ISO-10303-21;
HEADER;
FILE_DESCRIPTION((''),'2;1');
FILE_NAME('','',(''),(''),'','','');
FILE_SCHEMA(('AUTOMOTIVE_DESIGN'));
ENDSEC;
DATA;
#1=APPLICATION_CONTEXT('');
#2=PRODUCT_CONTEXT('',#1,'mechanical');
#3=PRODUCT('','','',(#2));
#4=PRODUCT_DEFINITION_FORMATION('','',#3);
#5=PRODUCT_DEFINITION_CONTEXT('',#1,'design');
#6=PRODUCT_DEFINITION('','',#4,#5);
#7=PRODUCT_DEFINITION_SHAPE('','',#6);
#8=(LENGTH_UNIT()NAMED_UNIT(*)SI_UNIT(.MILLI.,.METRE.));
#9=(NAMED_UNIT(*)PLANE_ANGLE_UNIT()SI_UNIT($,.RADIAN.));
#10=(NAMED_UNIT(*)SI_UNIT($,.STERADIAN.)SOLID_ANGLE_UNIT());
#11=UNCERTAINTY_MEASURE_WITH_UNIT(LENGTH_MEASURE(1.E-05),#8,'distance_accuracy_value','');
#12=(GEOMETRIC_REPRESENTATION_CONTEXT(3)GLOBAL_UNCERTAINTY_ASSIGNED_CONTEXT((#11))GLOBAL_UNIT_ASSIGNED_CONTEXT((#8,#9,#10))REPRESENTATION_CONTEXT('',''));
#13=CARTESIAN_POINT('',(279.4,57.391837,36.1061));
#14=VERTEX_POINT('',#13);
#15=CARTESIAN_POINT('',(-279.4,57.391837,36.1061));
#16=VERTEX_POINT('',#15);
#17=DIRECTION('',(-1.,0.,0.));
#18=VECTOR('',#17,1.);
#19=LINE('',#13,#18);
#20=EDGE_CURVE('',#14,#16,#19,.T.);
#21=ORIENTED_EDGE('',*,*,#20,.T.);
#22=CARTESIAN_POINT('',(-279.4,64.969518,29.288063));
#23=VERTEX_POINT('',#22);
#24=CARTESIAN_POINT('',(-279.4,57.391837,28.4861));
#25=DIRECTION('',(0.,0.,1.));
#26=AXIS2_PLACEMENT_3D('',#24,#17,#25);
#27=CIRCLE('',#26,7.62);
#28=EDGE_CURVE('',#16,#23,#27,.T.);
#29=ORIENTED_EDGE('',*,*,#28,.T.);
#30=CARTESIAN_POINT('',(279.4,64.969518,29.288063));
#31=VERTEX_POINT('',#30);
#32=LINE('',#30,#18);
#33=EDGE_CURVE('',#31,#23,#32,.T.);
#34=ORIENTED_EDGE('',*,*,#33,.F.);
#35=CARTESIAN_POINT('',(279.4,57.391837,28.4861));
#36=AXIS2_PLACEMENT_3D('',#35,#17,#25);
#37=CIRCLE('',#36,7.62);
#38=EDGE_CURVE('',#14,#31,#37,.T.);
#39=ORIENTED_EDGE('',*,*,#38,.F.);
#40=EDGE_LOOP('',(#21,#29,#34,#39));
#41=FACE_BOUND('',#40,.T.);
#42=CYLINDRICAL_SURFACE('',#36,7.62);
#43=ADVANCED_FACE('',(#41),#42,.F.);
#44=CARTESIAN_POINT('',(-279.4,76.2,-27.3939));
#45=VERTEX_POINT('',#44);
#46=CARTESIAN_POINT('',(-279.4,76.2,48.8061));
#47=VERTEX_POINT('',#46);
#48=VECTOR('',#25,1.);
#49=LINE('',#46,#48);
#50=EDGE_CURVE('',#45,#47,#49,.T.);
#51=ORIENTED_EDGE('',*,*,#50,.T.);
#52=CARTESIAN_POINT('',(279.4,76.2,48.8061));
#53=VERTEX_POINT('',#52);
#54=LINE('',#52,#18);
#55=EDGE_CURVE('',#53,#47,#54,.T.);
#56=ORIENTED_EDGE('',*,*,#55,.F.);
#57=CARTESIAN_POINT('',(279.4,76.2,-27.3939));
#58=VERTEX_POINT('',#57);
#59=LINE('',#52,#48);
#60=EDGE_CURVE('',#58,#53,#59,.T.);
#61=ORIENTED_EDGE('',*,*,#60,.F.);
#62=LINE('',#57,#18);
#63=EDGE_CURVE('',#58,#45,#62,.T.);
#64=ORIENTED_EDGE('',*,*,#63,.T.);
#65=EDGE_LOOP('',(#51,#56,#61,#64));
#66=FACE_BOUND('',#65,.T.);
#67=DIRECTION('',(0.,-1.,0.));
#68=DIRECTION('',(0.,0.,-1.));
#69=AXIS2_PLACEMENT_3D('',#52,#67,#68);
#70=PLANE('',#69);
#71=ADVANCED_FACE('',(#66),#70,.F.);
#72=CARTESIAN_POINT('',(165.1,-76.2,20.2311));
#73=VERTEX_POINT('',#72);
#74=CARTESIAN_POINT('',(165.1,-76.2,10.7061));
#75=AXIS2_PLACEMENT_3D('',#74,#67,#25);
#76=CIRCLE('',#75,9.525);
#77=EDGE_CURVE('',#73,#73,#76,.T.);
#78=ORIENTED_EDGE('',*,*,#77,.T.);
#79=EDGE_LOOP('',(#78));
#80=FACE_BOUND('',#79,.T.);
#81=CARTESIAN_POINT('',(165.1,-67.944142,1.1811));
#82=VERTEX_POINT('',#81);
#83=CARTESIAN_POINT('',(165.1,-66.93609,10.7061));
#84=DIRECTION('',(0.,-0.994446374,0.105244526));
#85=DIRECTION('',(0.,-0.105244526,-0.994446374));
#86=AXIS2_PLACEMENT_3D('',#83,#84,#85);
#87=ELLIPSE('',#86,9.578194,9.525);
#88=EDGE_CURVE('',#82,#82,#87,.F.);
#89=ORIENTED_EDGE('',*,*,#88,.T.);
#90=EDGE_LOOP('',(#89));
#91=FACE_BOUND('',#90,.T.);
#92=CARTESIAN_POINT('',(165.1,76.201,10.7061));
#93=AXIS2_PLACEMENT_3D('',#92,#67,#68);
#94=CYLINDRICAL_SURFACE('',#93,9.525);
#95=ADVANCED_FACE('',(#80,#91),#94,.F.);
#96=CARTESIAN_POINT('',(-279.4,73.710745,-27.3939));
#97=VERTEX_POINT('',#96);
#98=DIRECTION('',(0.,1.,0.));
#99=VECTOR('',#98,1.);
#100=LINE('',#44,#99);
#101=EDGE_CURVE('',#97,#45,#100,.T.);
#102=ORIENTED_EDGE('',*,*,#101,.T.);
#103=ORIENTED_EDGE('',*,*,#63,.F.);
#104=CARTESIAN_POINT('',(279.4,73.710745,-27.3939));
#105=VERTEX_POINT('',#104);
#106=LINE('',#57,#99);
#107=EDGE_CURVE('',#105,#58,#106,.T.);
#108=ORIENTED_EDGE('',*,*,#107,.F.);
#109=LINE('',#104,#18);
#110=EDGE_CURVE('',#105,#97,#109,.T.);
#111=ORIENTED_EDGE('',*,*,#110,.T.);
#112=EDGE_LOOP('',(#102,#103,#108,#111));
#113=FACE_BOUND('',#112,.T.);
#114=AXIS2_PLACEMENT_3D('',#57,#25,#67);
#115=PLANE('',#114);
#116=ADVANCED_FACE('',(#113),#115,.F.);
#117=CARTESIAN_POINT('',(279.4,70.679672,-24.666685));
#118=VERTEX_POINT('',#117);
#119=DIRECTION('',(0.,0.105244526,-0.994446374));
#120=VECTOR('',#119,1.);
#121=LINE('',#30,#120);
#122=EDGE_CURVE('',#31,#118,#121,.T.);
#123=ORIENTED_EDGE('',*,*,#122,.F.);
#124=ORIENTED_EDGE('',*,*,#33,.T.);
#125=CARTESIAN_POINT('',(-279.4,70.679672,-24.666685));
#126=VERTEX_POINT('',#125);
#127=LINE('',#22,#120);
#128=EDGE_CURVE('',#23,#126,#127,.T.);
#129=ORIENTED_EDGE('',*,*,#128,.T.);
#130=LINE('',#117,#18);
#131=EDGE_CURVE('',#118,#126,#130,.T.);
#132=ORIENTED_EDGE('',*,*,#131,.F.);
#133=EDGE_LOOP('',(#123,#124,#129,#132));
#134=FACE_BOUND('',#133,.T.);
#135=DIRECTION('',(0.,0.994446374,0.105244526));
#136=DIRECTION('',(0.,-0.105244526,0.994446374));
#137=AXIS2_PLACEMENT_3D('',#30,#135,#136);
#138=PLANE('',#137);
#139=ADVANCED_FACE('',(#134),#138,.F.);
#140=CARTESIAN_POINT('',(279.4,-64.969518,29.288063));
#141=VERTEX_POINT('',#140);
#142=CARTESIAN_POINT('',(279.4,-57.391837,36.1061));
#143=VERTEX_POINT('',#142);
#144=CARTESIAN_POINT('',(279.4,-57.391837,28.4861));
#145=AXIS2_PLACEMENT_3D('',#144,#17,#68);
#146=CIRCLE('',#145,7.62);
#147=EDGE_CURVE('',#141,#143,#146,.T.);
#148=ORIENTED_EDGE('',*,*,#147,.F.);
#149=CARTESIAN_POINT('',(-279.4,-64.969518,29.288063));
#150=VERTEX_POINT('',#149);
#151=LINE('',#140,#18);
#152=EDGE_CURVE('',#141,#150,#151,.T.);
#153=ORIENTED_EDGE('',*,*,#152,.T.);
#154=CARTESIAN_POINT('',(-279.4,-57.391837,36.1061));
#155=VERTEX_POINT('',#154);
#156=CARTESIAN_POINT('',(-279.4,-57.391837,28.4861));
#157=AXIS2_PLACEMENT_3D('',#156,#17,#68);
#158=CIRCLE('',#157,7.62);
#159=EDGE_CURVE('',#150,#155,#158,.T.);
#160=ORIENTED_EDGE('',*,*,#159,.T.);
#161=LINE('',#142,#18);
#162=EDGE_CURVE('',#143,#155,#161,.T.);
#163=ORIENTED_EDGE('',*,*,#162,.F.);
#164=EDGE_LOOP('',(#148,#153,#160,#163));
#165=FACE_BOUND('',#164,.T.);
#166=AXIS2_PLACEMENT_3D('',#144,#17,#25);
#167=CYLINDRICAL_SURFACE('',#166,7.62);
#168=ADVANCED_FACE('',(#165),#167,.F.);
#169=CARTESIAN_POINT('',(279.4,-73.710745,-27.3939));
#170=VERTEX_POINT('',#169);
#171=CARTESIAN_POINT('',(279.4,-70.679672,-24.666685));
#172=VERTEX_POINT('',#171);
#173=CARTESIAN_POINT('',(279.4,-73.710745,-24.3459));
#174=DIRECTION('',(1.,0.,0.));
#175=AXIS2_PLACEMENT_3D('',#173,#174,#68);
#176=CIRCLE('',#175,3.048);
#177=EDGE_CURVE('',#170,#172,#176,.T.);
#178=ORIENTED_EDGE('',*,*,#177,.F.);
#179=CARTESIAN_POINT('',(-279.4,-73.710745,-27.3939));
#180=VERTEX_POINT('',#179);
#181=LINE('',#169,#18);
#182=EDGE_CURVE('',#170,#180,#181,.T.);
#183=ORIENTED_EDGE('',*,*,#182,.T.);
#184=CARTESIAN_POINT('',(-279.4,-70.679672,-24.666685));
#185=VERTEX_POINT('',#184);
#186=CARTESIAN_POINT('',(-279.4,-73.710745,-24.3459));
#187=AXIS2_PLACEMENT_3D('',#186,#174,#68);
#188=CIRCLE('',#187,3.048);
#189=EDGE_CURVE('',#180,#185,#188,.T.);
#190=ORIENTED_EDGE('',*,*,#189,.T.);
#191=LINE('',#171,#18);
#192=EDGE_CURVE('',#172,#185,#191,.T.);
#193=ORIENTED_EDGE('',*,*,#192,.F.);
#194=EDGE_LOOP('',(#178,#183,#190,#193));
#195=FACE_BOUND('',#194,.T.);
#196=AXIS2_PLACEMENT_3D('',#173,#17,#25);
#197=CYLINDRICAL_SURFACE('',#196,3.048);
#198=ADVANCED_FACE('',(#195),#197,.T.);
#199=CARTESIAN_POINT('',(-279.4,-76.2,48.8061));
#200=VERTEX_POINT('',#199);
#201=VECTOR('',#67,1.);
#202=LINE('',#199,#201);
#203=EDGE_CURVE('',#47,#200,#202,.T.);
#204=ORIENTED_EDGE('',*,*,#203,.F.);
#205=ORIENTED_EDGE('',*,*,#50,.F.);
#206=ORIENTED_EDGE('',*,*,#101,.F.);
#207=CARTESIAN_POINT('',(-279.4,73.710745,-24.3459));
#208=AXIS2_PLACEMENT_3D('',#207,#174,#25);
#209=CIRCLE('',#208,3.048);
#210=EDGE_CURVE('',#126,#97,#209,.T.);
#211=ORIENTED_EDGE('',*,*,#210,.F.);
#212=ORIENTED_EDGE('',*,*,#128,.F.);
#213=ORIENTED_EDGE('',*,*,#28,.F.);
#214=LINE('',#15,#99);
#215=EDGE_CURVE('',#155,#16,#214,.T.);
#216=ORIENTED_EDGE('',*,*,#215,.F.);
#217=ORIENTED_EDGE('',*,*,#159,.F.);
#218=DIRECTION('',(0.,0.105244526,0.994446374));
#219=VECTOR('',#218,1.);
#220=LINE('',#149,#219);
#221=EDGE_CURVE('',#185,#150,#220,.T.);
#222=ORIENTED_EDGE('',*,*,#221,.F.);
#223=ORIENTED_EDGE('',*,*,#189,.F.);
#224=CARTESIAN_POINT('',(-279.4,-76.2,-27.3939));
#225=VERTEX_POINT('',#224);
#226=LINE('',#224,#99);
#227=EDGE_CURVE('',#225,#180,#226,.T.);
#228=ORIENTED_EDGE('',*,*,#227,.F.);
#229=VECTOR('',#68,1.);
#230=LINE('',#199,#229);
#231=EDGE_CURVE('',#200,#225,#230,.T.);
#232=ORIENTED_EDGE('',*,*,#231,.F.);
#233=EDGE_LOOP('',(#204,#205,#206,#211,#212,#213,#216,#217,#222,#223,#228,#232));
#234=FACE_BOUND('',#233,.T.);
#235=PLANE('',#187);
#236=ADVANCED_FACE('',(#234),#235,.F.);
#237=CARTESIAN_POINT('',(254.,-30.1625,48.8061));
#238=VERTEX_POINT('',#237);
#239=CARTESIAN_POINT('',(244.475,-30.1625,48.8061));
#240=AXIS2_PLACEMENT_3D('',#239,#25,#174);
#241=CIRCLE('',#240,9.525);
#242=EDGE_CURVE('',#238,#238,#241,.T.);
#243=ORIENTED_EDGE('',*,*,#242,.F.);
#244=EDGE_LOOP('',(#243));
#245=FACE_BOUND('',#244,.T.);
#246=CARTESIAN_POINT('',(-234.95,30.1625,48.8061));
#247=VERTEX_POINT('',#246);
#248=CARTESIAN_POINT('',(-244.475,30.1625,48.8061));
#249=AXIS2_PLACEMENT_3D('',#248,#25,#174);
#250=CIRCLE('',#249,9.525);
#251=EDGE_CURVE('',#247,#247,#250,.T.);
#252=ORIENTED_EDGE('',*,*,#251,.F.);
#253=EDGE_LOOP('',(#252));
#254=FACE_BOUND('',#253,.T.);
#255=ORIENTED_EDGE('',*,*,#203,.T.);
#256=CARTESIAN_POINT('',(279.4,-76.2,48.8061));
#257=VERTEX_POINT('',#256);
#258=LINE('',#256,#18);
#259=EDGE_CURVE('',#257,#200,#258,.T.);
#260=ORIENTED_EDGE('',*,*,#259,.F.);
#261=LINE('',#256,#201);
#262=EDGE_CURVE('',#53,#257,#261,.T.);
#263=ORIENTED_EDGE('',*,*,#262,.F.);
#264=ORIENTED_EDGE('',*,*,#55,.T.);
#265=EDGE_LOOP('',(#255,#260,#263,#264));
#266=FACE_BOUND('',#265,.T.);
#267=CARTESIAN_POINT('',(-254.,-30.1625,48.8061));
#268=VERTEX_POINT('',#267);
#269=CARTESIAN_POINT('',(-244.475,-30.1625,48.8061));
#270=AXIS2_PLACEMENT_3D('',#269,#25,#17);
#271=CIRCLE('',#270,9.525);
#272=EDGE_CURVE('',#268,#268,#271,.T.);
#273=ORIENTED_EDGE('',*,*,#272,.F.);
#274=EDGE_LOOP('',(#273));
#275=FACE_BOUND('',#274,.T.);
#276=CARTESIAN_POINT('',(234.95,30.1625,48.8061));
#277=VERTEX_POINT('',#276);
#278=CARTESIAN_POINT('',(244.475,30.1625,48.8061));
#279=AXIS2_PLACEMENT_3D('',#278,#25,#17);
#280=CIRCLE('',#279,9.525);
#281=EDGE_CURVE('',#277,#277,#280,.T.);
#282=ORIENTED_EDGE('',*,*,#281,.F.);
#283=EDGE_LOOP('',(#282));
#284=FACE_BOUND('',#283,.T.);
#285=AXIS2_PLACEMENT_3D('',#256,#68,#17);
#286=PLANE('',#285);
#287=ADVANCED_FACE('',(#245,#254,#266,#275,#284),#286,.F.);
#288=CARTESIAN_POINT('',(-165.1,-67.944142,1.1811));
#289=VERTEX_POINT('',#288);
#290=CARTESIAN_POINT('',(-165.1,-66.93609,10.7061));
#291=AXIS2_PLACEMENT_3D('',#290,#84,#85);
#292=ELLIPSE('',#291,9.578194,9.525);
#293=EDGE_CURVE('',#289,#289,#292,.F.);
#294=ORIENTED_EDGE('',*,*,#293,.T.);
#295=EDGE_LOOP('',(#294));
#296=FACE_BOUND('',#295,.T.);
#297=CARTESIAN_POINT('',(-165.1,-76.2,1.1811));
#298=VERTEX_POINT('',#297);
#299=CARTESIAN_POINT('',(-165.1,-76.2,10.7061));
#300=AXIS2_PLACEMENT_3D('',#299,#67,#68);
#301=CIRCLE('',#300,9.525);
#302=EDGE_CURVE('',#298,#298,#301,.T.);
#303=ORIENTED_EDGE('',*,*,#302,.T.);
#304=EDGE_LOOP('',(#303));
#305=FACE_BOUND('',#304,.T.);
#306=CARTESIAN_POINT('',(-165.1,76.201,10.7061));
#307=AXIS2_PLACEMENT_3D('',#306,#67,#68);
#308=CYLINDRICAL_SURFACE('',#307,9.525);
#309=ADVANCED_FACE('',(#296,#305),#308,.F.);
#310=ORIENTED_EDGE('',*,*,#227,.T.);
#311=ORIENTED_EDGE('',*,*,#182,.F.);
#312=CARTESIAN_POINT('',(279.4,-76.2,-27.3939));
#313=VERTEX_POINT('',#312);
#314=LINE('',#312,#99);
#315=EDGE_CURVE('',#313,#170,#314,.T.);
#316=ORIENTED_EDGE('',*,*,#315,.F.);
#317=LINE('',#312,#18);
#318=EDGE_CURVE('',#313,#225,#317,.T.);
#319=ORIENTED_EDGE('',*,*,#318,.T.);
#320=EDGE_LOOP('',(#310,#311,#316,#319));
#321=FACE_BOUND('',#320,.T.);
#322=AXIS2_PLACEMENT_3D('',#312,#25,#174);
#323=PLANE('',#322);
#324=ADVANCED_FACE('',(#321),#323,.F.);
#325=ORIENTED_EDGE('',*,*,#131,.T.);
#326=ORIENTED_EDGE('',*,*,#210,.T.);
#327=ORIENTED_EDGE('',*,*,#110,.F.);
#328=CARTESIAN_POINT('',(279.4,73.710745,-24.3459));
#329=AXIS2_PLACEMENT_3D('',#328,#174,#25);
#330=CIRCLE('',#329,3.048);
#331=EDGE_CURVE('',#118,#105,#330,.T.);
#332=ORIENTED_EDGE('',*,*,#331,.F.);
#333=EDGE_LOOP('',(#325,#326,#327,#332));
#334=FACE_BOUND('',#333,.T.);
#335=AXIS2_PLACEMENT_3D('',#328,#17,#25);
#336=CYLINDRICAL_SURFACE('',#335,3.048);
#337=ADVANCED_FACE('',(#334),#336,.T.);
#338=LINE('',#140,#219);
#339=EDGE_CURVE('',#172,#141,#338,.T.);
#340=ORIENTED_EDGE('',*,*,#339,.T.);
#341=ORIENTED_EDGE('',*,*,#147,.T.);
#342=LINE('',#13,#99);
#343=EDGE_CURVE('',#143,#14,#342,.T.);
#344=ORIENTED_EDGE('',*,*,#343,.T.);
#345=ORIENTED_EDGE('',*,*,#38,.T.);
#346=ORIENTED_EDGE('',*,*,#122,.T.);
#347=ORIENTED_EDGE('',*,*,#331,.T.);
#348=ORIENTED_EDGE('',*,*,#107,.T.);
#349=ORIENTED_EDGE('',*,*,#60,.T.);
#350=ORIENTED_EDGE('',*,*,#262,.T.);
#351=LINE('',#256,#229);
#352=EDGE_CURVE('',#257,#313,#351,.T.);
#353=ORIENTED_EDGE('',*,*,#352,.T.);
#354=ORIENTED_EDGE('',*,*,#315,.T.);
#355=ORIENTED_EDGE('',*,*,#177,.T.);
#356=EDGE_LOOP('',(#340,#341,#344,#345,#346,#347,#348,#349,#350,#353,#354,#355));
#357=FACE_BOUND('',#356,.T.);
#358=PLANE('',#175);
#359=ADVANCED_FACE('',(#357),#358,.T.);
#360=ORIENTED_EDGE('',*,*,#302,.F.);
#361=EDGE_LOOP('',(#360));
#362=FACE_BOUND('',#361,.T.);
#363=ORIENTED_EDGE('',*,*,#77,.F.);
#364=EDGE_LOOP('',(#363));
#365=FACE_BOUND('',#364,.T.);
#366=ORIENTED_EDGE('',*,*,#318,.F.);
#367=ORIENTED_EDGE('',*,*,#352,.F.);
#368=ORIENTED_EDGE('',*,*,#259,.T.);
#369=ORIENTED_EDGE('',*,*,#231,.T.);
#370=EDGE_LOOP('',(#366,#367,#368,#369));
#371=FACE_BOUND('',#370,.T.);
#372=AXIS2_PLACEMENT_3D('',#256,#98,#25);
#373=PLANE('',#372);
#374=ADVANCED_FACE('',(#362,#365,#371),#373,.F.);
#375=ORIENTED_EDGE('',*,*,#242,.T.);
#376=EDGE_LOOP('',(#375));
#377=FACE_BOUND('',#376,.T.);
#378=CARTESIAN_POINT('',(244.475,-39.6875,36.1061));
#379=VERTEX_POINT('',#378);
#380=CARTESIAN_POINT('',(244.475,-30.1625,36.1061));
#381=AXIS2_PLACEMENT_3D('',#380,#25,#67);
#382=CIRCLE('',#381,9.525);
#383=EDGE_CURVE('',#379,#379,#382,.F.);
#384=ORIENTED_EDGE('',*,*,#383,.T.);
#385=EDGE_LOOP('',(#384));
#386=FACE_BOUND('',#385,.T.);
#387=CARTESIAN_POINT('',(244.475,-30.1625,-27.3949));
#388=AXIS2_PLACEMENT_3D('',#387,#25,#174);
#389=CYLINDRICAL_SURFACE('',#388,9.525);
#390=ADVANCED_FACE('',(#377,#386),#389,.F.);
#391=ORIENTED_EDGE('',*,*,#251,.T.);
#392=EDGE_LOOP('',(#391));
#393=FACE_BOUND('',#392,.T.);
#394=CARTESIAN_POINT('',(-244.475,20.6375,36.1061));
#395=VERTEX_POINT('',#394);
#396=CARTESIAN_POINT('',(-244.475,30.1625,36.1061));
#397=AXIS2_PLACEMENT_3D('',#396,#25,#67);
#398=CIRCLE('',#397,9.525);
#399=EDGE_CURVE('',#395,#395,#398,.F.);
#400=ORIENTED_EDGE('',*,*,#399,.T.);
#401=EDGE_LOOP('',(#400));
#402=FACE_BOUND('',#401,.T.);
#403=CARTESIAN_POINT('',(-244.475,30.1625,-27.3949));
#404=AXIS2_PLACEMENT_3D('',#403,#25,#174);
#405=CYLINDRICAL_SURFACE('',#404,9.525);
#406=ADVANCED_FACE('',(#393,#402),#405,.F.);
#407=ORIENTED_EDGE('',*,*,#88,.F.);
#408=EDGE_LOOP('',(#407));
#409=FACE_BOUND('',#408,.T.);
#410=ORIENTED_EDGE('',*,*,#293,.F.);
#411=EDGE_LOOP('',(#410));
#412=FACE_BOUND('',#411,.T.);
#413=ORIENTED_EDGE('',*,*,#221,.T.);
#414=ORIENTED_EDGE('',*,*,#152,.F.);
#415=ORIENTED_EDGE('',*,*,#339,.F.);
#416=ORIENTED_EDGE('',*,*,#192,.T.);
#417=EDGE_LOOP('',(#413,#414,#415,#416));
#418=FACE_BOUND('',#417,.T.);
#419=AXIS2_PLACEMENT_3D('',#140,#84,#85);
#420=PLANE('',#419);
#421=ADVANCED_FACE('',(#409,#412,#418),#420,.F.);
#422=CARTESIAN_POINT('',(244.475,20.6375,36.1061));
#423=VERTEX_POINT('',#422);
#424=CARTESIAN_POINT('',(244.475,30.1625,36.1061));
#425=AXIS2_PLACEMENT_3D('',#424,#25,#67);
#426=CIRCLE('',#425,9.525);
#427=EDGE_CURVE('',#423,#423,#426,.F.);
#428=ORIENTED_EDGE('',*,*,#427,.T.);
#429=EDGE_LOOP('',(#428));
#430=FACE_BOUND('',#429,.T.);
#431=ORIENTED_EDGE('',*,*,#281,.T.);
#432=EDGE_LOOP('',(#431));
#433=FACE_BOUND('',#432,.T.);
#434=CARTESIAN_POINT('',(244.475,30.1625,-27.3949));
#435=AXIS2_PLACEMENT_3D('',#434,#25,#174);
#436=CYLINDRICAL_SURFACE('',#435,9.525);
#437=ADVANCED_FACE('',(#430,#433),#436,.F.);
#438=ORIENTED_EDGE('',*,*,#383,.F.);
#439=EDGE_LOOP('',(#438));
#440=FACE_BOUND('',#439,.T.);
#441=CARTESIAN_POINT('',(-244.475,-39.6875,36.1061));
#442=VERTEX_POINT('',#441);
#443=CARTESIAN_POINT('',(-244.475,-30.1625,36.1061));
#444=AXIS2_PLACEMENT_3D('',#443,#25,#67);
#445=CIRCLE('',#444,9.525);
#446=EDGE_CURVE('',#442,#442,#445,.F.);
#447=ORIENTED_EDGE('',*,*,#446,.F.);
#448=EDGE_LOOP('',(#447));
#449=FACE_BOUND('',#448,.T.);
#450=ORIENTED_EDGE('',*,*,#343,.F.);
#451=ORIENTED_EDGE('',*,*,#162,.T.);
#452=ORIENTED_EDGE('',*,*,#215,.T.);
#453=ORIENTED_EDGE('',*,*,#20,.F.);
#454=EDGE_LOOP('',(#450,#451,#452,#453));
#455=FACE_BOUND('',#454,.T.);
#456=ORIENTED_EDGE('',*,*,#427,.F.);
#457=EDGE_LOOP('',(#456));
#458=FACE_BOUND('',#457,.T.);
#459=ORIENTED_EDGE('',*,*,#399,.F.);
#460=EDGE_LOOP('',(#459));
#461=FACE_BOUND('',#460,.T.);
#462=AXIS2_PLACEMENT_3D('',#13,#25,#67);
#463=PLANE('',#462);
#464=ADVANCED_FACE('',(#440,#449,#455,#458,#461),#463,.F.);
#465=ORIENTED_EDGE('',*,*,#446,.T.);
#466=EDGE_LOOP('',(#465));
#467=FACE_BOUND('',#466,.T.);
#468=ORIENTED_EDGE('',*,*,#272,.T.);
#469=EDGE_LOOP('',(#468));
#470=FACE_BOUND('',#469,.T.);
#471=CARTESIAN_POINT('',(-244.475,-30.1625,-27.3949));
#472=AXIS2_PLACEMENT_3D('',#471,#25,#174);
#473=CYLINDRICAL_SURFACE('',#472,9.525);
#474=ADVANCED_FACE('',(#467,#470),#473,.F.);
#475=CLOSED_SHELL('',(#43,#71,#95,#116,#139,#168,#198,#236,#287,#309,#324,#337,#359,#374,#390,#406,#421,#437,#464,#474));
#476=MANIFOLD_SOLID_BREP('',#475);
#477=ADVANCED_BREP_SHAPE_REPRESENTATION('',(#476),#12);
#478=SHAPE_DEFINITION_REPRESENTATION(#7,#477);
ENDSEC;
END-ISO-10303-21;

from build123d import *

# Parameters (mm, degrees)
BOSS_EXTRUDE1_DEPTH = 279.4
CUT_EXTRUDE1_REACH  = 78.2
SKETCH2_R           = 9.525
CUT_EXTRUDE2_REACH  = 154.4
SKETCH3_R           = 9.525


with BuildPart() as part:
    # Sketch1 → Boss-Extrude1 (new body, symmetric)
    with BuildSketch(Plane(origin=(0, 0, 0), x_dir=(0, 0, -1), z_dir=(1, 0, 0))):
        with BuildLine():
            Line((-48.8061, -76.2), (-48.8061, 76.2))
            Line((-48.8061, 76.2), (27.3939, 76.2))
            Line((27.3939, 76.2), (27.3939, 73.710744653))
            ThreePointArc((27.3939, 73.710744653), (26.61173954, 71.672050174), (24.666685315, 70.679672107))
            Line((24.666685315, 70.679672107), (-29.288063286, 64.969518115))
            ThreePointArc((-29.288063286, 64.969518115), (-34.150698849, 62.488572947), (-36.1061, 57.391836749))
            Line((-36.1061, 57.391836749), (-36.1061, -57.391836749))
            ThreePointArc((-36.1061, -57.391836749), (-34.150698849, -62.488572947), (-29.288063286, -64.969518115))
            Line((-29.288063286, -64.969518115), (24.666685315, -70.679672107))
            ThreePointArc((24.666685315, -70.679672107), (26.61173954, -71.672050174), (27.3939, -73.710744653))
            Line((27.3939, -73.710744653), (27.3939, -76.2))
            Line((27.3939, -76.2), (-48.8061, -76.2))
        make_face()
    extrude(amount=BOSS_EXTRUDE1_DEPTH, both=True)

    # Sketch2 → Cut-Extrude1 (cut, up to next)
    with BuildSketch(Plane.XY.offset(48.8061), mode=Mode.PRIVATE) as cut_extrude1_sk1:
        with Locations((-244.475, 30.1625)):
            Circle(SKETCH2_R)
    cut_extrude1_tool1 = extrude(cut_extrude1_sk1.sketch, amount=-CUT_EXTRUDE1_REACH, mode=Mode.PRIVATE) & part.part
    add(cut_extrude1_tool1.solids().sort_by_distance((-244.475, 30.1625, 48.8061))[0], mode=Mode.SUBTRACT)
    # Sketch2 → Cut-Extrude1 (cut, up to next)
    with BuildSketch(Plane.XY.offset(48.8061), mode=Mode.PRIVATE) as cut_extrude1_sk2:
        with Locations((-244.475, -30.1625)):
            Circle(SKETCH2_R)
    cut_extrude1_tool2 = extrude(cut_extrude1_sk2.sketch, amount=-CUT_EXTRUDE1_REACH, mode=Mode.PRIVATE) & part.part
    add(cut_extrude1_tool2.solids().sort_by_distance((-244.475, -30.1625, 48.8061))[0], mode=Mode.SUBTRACT)
    # Sketch2 → Cut-Extrude1 (cut, up to next)
    with BuildSketch(Plane.XY.offset(48.8061), mode=Mode.PRIVATE) as cut_extrude1_sk3:
        with Locations((244.475, -30.1625)):
            Circle(SKETCH2_R)
    cut_extrude1_tool3 = extrude(cut_extrude1_sk3.sketch, amount=-CUT_EXTRUDE1_REACH, mode=Mode.PRIVATE) & part.part
    add(cut_extrude1_tool3.solids().sort_by_distance((244.475, -30.1625, 48.8061))[0], mode=Mode.SUBTRACT)
    # Sketch2 → Cut-Extrude1 (cut, up to next)
    with BuildSketch(Plane.XY.offset(48.8061), mode=Mode.PRIVATE) as cut_extrude1_sk4:
        with Locations((244.475, 30.1625)):
            Circle(SKETCH2_R)
    cut_extrude1_tool4 = extrude(cut_extrude1_sk4.sketch, amount=-CUT_EXTRUDE1_REACH, mode=Mode.PRIVATE) & part.part
    add(cut_extrude1_tool4.solids().sort_by_distance((244.475, 30.1625, 48.8061))[0], mode=Mode.SUBTRACT)

    # Sketch3 → Cut-Extrude2 (cut, up to next)
    with BuildSketch(Plane.XZ.offset(76.2), mode=Mode.PRIVATE) as cut_extrude2_sk1:
        with Locations((-165.1, 10.7061)):
            Circle(SKETCH3_R)
    cut_extrude2_tool1 = extrude(cut_extrude2_sk1.sketch, amount=-CUT_EXTRUDE2_REACH, mode=Mode.PRIVATE) & part.part
    add(cut_extrude2_tool1.solids().sort_by_distance((-165.1, -76.2, 10.7061))[0], mode=Mode.SUBTRACT)
    # Sketch3 → Cut-Extrude2 (cut, up to next)
    with BuildSketch(Plane.XZ.offset(76.2), mode=Mode.PRIVATE) as cut_extrude2_sk2:
        with Locations((165.1, 10.7061)):
            Circle(SKETCH3_R)
    cut_extrude2_tool2 = extrude(cut_extrude2_sk2.sketch, amount=-CUT_EXTRUDE2_REACH, mode=Mode.PRIVATE) & part.part
    add(cut_extrude2_tool2.solids().sort_by_distance((165.1, -76.2, 10.7061))[0], mode=Mode.SUBTRACT)


solid = part.part
